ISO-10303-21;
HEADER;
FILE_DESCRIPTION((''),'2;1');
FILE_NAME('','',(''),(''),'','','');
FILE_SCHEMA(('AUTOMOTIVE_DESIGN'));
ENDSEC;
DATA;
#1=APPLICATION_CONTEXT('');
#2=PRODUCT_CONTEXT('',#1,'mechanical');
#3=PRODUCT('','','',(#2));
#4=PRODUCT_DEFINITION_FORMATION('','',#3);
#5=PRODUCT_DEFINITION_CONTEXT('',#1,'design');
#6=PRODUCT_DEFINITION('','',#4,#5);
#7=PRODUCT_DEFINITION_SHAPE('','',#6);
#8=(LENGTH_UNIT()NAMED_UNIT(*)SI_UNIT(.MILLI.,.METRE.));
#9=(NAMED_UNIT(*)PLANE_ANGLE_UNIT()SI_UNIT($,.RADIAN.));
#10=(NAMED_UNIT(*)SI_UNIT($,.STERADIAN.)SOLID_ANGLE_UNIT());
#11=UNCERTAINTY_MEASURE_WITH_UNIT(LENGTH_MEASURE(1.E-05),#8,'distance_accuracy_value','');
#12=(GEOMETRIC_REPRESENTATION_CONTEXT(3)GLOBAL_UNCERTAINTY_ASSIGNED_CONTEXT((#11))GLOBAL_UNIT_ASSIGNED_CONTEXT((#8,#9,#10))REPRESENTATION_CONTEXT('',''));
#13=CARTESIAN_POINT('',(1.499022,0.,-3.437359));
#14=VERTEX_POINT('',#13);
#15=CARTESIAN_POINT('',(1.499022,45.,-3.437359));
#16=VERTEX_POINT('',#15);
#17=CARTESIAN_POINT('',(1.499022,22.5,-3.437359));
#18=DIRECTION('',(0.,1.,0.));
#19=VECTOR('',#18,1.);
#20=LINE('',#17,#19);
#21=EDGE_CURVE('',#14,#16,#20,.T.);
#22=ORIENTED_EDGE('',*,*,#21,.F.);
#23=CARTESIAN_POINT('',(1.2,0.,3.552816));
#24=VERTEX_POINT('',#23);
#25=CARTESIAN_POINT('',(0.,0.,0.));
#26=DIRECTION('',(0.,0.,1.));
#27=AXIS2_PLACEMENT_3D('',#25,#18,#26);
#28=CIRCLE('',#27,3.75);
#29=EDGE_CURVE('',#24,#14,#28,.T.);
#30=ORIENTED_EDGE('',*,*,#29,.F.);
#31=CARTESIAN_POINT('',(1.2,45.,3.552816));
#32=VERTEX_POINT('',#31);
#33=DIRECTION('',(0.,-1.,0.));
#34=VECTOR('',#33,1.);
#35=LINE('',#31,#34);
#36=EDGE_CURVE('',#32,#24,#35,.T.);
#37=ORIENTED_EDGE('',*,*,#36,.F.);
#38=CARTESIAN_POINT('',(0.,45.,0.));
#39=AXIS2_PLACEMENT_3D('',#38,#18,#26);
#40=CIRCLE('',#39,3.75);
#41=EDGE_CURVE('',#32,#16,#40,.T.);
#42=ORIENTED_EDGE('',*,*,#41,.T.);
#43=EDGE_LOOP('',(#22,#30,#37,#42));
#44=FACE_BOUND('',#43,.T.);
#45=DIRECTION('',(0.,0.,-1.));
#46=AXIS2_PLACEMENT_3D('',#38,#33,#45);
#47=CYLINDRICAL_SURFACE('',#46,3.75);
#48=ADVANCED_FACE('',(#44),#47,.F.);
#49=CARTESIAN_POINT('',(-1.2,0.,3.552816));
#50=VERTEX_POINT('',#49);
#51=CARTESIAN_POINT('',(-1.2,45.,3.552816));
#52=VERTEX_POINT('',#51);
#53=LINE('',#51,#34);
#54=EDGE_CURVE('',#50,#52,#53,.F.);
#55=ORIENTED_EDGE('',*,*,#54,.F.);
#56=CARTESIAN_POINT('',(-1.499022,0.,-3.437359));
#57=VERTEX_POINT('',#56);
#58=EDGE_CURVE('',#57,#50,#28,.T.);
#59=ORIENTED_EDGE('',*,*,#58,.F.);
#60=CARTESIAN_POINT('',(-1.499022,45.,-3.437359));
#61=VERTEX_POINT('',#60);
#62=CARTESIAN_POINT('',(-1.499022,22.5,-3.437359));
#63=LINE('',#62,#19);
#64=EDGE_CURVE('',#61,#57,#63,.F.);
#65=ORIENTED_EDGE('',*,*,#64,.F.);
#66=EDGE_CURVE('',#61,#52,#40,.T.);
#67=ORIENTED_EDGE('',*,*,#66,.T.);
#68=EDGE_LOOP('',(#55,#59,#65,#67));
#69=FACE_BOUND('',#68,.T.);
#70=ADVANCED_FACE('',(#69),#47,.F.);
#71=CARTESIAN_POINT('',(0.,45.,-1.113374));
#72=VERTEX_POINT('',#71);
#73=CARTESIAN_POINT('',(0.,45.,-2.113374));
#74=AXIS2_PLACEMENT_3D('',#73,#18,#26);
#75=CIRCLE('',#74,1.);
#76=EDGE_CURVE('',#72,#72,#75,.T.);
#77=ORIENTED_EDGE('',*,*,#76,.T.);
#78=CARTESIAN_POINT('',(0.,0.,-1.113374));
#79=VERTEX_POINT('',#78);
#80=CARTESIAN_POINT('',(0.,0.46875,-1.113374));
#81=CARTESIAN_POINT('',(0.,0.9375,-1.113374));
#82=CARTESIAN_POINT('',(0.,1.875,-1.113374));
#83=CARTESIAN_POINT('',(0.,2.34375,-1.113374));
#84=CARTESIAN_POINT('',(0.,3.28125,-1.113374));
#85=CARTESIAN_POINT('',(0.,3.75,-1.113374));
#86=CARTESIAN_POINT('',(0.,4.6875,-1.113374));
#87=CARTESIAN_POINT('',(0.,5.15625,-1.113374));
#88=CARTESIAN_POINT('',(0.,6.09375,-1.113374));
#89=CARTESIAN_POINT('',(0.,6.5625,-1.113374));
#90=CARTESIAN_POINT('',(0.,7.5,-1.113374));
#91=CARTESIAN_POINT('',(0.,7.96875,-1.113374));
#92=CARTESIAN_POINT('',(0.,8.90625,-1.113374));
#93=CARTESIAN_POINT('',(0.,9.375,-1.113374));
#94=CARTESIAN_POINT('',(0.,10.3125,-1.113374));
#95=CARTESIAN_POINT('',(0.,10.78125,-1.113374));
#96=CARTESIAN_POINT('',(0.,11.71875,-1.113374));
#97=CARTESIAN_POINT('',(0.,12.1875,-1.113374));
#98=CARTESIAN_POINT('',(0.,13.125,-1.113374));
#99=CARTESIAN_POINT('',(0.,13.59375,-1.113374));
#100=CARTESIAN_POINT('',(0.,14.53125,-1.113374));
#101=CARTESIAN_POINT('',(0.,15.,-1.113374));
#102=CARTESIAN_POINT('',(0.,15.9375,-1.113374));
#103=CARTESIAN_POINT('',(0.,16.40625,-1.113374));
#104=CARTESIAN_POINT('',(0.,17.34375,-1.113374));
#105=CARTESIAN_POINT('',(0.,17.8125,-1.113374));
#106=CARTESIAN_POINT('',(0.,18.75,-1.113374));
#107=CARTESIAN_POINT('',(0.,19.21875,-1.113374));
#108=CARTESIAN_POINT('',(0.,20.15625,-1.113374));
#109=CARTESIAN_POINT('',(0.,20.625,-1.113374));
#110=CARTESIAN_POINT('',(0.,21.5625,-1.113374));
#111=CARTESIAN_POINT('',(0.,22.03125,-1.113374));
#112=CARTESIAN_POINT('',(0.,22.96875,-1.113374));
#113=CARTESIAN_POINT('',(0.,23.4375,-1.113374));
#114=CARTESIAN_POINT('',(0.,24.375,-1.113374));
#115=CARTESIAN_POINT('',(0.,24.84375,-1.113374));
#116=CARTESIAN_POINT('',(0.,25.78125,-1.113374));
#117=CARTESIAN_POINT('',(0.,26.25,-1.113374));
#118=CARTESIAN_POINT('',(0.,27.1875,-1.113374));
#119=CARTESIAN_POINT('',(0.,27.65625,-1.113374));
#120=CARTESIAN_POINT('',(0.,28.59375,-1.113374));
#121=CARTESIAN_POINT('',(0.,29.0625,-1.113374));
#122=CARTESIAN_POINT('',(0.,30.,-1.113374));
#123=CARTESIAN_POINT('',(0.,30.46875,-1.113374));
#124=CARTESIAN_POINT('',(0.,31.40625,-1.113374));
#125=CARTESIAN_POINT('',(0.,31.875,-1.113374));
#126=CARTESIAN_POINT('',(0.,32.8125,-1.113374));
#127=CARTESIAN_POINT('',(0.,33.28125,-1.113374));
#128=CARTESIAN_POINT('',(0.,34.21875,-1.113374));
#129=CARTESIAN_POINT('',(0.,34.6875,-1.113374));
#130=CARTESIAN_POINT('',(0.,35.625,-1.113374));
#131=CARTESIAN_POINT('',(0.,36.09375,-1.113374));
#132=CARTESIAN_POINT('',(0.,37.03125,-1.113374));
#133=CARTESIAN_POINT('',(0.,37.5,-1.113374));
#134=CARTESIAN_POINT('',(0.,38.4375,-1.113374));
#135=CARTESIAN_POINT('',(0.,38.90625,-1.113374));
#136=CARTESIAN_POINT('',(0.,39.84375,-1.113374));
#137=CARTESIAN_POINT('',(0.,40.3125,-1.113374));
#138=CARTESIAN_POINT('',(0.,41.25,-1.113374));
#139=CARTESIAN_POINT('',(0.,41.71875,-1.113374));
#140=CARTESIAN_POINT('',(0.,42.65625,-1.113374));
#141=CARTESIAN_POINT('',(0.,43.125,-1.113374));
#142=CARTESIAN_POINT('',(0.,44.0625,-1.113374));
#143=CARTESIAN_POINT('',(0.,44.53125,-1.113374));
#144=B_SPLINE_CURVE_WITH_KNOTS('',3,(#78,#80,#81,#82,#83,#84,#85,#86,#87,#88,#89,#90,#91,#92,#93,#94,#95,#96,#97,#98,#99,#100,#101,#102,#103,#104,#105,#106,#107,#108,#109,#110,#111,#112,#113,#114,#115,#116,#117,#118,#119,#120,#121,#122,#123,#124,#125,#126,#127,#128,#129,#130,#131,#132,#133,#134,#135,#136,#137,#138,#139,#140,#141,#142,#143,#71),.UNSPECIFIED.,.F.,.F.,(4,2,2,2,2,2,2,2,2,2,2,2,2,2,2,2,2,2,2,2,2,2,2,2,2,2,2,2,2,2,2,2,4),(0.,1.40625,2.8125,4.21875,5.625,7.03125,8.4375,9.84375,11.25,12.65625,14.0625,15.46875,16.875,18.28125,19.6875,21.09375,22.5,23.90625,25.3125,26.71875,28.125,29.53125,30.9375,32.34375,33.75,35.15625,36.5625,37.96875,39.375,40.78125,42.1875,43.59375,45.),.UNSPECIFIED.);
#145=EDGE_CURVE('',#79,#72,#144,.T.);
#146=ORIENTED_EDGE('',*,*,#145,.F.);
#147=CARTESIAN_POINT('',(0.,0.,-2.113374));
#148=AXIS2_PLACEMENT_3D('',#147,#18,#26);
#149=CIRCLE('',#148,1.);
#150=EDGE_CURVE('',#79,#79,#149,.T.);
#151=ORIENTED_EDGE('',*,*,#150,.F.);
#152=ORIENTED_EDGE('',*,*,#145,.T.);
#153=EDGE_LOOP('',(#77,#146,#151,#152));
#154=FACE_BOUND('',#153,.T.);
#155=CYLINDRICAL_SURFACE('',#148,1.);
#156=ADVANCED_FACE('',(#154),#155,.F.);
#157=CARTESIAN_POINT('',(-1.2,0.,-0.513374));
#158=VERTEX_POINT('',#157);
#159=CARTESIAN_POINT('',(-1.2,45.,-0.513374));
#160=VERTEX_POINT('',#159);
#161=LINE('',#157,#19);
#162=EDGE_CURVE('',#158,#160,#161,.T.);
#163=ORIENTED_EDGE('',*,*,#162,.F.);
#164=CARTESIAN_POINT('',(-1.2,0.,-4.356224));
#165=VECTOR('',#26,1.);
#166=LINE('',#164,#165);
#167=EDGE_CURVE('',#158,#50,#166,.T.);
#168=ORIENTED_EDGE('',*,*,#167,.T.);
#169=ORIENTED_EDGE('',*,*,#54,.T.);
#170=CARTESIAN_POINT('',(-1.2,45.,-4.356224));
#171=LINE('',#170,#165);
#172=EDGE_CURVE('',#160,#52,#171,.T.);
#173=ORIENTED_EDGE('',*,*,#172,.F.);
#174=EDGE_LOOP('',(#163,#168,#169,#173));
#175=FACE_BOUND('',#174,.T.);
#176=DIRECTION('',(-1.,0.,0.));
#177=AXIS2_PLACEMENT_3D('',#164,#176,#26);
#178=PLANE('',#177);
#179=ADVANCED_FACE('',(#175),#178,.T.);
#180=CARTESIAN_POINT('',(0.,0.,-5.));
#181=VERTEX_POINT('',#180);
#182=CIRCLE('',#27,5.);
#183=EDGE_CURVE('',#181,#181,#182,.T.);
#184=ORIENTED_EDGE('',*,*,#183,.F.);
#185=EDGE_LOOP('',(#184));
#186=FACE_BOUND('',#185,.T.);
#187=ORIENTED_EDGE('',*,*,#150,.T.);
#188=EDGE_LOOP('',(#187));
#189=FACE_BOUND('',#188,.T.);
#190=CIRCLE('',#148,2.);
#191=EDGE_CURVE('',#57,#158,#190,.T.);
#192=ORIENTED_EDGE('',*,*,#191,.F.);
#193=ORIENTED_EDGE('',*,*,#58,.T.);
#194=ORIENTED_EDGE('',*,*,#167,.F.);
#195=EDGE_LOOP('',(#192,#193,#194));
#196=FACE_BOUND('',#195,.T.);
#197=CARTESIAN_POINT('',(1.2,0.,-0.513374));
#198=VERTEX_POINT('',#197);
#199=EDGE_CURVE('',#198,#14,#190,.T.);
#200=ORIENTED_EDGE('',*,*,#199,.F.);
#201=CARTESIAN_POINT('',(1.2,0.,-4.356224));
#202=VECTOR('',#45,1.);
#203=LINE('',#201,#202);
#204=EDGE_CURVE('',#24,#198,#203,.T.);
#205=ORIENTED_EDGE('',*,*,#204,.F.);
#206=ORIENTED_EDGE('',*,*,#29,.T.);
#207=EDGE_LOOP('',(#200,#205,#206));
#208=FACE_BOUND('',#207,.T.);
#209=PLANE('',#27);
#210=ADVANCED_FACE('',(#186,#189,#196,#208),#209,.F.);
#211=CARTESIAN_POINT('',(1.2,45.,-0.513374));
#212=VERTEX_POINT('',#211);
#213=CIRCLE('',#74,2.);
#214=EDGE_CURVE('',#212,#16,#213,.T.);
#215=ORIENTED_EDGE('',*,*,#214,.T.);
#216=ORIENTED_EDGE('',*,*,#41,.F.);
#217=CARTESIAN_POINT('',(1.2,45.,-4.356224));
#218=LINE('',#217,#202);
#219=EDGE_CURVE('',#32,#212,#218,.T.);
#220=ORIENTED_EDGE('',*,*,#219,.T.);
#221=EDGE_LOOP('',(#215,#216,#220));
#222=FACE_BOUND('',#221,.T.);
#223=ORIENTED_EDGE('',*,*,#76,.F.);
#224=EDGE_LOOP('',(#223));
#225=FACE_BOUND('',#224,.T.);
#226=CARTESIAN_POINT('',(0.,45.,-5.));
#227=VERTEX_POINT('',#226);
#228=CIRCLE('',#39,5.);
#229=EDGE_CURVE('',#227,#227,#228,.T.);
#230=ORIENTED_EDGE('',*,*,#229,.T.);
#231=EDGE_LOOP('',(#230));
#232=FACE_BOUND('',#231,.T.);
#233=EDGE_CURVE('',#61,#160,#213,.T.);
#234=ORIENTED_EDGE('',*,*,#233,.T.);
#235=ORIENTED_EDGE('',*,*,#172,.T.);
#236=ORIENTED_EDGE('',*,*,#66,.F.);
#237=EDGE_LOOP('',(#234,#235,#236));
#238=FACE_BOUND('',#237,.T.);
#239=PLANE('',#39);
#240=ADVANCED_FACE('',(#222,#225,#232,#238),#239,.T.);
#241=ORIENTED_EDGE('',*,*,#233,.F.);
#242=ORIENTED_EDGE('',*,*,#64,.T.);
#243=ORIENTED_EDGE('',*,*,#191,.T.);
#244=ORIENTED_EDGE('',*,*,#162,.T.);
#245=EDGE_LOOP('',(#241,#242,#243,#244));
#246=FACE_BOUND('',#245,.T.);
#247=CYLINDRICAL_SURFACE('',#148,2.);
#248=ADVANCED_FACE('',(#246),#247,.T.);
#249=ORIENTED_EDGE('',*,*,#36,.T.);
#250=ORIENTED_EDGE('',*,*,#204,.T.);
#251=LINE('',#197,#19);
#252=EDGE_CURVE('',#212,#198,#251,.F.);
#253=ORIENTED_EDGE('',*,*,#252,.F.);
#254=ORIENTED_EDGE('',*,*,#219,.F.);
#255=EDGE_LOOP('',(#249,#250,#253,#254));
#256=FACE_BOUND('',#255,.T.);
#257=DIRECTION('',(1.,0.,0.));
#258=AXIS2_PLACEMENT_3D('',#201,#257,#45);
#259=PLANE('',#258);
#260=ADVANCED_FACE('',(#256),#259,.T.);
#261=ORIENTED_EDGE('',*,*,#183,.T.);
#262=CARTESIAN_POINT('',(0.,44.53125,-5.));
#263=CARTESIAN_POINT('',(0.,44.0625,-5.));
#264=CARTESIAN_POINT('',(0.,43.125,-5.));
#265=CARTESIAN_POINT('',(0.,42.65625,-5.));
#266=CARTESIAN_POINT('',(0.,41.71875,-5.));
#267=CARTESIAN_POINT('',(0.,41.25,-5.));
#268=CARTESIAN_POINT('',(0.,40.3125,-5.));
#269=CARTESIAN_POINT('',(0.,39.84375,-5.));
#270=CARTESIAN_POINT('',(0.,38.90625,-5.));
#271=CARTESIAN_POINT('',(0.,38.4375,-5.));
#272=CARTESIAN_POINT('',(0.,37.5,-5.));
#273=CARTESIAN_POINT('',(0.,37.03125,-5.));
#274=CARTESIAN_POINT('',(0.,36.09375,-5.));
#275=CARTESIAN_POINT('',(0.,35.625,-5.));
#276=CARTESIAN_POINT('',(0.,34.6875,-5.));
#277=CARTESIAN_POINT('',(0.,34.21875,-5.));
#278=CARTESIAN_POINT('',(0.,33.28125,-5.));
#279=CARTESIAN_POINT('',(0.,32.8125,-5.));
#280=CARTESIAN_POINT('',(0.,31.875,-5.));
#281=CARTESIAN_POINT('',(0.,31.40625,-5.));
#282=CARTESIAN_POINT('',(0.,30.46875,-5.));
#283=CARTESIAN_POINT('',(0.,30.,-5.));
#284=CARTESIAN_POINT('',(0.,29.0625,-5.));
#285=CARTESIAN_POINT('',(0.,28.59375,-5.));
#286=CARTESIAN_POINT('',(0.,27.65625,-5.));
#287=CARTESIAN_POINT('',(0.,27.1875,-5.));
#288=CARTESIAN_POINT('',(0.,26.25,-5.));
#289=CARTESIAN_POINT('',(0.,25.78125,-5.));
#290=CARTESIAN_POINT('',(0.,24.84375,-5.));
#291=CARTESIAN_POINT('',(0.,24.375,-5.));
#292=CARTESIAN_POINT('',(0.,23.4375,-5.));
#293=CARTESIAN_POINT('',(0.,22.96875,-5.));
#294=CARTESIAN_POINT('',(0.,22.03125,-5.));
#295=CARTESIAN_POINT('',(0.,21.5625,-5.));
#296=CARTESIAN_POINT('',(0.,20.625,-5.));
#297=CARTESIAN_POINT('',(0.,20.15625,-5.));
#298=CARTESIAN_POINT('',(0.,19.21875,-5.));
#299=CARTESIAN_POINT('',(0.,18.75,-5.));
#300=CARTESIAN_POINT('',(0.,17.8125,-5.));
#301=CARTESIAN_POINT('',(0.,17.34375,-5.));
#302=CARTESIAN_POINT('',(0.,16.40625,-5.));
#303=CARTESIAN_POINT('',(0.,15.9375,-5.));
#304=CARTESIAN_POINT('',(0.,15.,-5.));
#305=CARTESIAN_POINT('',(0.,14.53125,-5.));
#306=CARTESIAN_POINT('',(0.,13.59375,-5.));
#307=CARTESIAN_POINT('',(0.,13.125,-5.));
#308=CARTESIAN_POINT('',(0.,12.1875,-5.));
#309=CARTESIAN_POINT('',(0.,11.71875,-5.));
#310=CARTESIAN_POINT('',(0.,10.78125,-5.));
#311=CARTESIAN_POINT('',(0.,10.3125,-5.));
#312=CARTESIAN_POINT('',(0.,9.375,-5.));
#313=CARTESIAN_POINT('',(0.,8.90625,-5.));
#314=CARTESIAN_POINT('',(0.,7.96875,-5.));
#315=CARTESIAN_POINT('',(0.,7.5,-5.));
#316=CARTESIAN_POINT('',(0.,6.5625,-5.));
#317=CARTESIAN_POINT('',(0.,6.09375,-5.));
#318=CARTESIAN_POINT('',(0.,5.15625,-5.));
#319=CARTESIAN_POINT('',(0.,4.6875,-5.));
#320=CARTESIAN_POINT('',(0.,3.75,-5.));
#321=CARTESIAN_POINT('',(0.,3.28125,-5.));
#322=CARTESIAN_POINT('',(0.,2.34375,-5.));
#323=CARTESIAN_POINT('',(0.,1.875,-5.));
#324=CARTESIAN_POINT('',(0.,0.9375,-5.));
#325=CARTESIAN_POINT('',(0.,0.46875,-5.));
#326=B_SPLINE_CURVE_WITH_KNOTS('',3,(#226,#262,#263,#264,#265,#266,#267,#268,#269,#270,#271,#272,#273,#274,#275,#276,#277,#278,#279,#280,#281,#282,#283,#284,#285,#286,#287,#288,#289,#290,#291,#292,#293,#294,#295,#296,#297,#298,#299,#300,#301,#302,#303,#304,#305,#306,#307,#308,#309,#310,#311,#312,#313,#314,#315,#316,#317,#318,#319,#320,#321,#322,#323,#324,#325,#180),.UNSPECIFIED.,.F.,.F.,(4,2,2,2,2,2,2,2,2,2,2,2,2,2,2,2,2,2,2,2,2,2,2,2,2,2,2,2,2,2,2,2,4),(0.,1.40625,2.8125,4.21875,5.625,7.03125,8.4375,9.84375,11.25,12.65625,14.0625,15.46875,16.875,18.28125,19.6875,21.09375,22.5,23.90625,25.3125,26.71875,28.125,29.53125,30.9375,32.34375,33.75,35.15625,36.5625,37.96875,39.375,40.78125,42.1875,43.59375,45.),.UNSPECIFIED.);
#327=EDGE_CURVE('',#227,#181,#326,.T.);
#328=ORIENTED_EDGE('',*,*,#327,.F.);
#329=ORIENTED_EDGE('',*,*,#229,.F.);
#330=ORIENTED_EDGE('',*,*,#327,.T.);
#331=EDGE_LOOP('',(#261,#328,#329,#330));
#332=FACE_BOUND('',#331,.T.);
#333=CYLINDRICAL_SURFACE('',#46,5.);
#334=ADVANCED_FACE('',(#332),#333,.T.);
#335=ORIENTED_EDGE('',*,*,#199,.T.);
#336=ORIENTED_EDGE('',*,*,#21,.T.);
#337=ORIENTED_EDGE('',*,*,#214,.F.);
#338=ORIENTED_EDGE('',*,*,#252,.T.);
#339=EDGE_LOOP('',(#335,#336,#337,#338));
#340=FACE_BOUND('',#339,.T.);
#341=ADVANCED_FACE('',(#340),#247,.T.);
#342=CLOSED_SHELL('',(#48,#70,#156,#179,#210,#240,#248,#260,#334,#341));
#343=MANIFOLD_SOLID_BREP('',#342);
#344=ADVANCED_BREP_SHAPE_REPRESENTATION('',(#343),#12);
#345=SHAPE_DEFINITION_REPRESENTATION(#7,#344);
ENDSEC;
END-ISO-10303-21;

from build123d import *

# Parameters (mm, degrees)
SKETCH1_R           = 5
SKETCH1_R_2         = 3.75
BOSS_EXTRUDE1_DEPTH = 45
SKETCH3_W           = 2.4
SKETCH3_H           = 8.589481759
BOSS_EXTRUDE3_DEPTH = 45
SKETCH4_R           = 2
BOSS_EXTRUDE4_DEPTH = 45
SKETCH5_R           = 1
CUT_EXTRUDE1_DEPTH  = 46.552167896


with BuildPart() as part:
    # Sketch1 → Boss-Extrude1 (new body)
    with BuildSketch(Plane(origin=(0, 0, 0), x_dir=(1, 0, 0), z_dir=(0, 1, 0))):
        with Locations(Location((0, 0, 0), (0, 0, 90))):
            Circle(SKETCH1_R)
        with Locations(Location((0, 0, 0), (0, 0, 90))):
            Circle(SKETCH1_R_2, mode=Mode.SUBTRACT)
    extrude(amount=BOSS_EXTRUDE1_DEPTH)

    # Sketch3 → Boss-Extrude3 (add, through all)
    with BuildSketch(Plane(origin=(0, 45, 0), x_dir=(1, 0, 0), z_dir=(0, 1, 0))):
        with Locations((0, 0.061482623)):
            Rectangle(SKETCH3_W, SKETCH3_H)
    extrude(amount=-BOSS_EXTRUDE3_DEPTH)

    # Sketch4 → Boss-Extrude4 (add, through all)
    with BuildSketch(Plane(origin=(0, 45, 0), x_dir=(1, 0, 0), z_dir=(0, 1, 0))):
        with Locations((0, 2.113374327)):
            Circle(SKETCH4_R)
    extrude(amount=-BOSS_EXTRUDE4_DEPTH)

    # Sketch5 → Cut-Extrude1 (cut, through all)
    with BuildSketch(Plane(origin=(0, 45, 0), x_dir=(1, 0, 0), z_dir=(0, 1, 0))):
        with Locations(Location((0, 2.113374327, 0), (0, 0, 270))):
            Circle(SKETCH5_R)
    extrude(amount=-CUT_EXTRUDE1_DEPTH, mode=Mode.SUBTRACT)


solid = part.part
